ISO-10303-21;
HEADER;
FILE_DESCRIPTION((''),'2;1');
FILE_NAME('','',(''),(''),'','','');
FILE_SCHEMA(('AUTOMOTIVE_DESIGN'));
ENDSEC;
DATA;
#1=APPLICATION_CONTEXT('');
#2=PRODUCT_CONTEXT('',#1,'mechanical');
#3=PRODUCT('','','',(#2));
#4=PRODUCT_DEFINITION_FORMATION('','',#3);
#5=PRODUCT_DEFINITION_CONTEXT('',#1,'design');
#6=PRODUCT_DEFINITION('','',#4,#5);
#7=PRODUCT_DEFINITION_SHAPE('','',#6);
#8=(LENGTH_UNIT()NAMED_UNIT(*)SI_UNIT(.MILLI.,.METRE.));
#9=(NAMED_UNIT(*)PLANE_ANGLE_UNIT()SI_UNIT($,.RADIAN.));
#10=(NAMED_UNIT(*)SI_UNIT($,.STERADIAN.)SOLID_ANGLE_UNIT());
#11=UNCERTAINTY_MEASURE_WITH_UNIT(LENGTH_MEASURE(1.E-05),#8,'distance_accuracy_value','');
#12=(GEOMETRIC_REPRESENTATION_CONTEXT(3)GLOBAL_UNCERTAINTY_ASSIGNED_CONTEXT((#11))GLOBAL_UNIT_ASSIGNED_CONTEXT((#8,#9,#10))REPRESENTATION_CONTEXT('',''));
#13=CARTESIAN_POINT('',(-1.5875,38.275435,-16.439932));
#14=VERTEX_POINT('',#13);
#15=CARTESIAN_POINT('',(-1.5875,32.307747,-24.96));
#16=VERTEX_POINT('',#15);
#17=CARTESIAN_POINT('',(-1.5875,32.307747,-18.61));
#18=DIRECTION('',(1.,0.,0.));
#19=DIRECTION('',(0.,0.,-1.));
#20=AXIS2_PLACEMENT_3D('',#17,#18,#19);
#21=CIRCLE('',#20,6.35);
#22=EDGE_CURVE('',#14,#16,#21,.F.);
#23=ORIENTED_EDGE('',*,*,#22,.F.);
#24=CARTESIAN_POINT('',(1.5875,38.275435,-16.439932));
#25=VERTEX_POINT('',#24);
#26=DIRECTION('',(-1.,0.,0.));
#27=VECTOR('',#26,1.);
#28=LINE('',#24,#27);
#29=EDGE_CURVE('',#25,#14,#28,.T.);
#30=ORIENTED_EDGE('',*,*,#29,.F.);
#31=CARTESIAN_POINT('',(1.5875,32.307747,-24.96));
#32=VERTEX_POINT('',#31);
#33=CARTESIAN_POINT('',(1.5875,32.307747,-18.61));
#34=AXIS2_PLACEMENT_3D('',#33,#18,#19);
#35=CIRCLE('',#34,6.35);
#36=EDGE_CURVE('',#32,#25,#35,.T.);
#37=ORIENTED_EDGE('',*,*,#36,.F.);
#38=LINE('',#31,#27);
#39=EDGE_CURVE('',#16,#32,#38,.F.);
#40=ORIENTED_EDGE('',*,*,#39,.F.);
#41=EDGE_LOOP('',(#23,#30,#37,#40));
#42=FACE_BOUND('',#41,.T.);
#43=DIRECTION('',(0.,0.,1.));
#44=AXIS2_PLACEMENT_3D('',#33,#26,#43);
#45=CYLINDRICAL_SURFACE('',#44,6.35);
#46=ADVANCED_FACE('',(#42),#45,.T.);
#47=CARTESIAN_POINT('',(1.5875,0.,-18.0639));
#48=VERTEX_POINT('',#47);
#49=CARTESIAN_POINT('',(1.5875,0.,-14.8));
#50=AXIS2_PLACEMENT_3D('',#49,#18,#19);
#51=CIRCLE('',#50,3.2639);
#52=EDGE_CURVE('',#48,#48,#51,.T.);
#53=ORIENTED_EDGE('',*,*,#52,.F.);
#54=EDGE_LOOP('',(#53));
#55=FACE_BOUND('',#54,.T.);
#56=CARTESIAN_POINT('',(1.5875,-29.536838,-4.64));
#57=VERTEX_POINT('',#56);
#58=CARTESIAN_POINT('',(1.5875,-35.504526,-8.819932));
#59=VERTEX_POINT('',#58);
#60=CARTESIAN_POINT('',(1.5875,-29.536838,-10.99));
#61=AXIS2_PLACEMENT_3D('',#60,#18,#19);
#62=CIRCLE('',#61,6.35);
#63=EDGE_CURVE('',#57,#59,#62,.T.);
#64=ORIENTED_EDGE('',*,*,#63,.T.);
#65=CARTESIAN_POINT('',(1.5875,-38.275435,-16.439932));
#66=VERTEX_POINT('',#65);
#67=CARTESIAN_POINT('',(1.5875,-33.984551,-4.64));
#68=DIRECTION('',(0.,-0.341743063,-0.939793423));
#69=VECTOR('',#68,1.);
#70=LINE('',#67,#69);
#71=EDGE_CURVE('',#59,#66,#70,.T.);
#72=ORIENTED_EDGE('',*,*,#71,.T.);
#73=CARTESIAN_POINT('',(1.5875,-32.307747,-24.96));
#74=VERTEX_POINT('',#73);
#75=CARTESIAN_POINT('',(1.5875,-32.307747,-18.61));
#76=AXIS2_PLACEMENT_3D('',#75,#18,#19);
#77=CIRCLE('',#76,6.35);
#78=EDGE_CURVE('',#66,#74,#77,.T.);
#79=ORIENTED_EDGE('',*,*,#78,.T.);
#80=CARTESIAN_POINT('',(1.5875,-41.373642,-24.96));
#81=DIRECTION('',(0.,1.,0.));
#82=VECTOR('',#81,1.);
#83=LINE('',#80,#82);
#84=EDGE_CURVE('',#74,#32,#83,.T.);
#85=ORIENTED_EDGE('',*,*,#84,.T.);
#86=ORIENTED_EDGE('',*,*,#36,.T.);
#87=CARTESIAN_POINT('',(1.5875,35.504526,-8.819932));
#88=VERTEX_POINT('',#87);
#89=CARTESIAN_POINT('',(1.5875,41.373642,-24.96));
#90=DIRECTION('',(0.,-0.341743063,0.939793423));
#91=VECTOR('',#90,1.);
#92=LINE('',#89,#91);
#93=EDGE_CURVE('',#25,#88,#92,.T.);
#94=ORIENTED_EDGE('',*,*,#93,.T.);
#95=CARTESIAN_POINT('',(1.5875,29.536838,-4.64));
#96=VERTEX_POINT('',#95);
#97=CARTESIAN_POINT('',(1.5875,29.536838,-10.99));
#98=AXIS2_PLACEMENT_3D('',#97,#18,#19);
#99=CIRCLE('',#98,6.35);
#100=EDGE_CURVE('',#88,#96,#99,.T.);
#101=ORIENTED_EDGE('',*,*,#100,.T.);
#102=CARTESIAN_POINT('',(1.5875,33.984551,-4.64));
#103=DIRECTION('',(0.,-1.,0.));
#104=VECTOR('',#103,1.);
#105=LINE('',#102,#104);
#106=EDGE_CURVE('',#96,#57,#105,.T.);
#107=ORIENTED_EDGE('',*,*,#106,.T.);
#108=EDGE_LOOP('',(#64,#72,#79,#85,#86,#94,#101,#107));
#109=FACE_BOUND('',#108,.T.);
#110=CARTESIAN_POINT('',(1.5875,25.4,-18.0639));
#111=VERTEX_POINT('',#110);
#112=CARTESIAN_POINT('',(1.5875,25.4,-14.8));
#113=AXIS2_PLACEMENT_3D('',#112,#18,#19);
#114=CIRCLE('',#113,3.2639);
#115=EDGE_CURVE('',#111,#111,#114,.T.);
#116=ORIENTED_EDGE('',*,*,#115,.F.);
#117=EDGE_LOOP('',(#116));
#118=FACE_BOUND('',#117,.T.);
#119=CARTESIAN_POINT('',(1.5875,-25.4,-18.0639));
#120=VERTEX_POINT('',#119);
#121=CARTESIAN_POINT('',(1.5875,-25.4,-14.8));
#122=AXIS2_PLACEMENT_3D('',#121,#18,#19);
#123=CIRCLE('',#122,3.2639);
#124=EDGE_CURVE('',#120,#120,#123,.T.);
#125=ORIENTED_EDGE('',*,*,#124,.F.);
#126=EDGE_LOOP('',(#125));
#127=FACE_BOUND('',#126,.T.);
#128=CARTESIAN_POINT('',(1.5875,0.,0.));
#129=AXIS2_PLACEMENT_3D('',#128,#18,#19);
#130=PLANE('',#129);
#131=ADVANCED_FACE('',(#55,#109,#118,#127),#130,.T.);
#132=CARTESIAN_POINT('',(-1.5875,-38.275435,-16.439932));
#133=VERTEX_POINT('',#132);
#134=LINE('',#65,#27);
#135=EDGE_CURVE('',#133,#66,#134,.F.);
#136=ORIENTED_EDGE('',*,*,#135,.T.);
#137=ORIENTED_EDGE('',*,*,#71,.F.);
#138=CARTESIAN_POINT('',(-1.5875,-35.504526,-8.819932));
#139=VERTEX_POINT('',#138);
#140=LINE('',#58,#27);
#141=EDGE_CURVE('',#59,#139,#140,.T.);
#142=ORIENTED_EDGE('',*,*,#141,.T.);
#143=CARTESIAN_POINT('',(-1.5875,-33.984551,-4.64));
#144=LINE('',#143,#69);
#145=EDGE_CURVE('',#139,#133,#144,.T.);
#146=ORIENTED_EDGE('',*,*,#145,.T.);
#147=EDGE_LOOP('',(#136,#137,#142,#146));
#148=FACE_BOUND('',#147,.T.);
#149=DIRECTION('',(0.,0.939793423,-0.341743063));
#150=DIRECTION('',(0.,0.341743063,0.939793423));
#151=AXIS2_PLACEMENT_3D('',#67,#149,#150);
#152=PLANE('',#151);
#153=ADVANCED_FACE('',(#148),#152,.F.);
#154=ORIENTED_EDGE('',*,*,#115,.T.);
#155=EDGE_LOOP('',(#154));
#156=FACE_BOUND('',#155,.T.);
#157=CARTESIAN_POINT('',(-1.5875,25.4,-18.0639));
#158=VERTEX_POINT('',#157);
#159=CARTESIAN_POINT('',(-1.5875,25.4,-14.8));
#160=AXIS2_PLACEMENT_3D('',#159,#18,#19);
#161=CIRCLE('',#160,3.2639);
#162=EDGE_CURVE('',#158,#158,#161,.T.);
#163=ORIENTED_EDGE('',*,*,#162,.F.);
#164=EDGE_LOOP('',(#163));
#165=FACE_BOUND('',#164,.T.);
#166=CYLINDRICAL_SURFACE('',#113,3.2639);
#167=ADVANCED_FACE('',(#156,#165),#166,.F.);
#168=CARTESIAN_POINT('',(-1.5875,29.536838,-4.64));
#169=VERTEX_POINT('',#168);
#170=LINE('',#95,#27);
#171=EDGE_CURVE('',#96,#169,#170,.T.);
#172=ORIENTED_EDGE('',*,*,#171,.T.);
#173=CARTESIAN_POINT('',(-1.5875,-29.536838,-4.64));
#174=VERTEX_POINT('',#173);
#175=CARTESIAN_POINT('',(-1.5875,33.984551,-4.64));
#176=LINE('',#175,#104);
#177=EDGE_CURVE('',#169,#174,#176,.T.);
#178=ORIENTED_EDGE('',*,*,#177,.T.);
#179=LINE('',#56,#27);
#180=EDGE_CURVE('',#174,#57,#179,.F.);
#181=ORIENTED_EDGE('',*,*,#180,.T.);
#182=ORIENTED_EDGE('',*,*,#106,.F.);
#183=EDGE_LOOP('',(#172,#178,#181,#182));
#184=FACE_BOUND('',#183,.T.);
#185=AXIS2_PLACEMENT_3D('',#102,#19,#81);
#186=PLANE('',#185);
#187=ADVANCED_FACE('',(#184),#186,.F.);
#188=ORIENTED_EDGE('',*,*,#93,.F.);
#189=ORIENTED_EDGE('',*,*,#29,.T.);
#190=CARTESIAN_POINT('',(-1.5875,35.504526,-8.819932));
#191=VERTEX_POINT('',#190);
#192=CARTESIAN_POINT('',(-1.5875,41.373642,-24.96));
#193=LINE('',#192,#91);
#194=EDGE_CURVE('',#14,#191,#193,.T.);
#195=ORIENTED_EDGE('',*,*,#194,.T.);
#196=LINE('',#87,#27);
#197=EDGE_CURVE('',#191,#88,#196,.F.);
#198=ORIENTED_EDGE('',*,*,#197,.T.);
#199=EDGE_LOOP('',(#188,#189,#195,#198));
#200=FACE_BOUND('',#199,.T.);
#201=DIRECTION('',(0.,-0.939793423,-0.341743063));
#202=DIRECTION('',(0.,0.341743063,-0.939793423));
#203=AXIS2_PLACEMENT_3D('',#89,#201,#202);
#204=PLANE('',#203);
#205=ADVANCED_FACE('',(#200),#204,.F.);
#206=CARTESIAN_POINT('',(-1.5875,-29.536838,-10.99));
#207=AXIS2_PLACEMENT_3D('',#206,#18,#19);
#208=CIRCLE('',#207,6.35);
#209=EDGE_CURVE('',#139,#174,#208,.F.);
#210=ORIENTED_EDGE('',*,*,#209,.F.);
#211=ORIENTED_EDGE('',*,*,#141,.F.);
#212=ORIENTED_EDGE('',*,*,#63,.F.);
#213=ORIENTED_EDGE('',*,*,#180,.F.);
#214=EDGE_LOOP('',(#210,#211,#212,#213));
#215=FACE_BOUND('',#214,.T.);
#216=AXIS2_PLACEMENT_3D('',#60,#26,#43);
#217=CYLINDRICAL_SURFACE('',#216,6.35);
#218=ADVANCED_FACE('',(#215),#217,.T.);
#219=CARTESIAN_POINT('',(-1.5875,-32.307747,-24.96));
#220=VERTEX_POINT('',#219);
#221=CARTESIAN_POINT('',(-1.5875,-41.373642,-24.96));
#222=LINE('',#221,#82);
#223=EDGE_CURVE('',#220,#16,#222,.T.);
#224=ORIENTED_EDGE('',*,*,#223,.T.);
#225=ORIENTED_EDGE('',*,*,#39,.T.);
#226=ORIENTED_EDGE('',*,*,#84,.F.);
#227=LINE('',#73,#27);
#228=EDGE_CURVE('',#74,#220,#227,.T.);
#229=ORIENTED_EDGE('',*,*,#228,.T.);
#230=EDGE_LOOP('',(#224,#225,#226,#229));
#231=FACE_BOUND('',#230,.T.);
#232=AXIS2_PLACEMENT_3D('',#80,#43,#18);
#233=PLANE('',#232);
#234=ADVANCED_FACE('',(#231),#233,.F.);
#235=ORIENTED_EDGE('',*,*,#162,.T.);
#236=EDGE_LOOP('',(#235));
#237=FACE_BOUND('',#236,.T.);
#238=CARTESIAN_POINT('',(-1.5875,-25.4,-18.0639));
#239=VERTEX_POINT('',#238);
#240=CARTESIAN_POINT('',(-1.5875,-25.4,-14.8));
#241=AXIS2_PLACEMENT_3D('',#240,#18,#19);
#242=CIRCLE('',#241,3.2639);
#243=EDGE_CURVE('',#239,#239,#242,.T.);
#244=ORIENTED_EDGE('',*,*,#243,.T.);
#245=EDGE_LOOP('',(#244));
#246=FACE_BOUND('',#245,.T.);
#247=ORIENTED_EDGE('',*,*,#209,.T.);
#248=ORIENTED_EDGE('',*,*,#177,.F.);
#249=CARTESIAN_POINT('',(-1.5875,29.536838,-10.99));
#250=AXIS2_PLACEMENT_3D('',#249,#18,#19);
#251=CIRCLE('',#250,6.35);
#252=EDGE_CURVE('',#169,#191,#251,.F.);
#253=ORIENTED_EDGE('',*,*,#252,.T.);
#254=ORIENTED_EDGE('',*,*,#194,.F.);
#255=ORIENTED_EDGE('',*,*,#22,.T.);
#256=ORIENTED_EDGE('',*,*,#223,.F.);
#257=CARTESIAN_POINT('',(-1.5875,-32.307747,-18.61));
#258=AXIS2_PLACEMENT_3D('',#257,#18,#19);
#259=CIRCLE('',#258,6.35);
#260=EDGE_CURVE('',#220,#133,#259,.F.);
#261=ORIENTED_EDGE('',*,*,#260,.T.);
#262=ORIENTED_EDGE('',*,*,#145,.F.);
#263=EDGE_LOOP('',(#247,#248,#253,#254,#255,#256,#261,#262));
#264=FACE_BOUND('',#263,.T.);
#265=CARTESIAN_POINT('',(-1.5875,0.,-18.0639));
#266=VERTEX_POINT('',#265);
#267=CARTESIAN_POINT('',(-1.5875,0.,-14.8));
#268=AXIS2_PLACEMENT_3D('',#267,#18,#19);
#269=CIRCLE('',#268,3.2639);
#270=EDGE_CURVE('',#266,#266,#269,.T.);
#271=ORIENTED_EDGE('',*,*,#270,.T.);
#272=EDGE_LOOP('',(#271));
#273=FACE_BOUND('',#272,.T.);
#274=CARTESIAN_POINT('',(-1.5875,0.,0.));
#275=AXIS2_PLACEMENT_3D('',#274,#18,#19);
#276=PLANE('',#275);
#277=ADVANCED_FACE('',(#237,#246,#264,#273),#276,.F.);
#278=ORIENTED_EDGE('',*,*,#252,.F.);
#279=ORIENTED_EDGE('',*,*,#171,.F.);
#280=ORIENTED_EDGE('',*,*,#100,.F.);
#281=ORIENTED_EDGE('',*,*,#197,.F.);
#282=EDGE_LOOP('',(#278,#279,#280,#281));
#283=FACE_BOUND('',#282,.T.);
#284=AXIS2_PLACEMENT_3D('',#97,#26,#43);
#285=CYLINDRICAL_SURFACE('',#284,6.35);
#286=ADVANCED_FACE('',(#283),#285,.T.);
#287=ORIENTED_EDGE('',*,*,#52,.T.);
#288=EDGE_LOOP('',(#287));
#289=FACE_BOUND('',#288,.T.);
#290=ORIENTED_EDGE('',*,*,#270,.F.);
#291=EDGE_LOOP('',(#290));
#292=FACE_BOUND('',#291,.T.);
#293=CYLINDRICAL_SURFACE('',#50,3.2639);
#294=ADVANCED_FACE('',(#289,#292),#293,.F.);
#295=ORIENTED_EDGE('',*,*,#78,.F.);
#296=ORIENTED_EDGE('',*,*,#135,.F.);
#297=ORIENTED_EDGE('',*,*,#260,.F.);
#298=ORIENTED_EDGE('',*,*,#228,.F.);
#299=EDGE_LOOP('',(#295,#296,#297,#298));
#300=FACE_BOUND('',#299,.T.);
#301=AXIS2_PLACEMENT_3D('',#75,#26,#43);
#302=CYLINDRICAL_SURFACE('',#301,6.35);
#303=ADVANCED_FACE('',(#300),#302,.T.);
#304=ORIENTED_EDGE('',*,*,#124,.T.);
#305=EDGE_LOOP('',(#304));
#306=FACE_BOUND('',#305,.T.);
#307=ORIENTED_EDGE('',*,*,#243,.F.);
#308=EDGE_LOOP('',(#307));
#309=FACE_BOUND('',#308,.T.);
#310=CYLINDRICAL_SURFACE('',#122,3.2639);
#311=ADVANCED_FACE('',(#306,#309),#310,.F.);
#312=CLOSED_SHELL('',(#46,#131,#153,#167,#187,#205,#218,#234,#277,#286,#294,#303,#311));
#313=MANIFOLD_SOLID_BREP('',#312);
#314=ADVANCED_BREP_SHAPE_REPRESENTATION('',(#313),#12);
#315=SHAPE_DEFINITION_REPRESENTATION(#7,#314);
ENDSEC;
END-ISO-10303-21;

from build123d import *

# Parameters (mm, degrees)
BOSS_EXTRUDE1_DEPTH     = 1.5875
F_1_4_CLEARANCE_HOLE1_D = 6.5278
FILLET1_R               = 6.35


with BuildPart() as part:
    # Sketch2 → Boss-Extrude1 (new, symmetric)
    with BuildSketch(Plane(origin=(0, 0, 0), x_dir=(0, 0, -1), z_dir=(1, 0, 0))):
        Polygon((4.639999991, 33.98455115), (4.639999991, -33.98455115), (24.959999991, -41.373642063), (24.959999991, 41.373642063), align=None)
    extrude(amount=BOSS_EXTRUDE1_DEPTH, both=True)

    # 1/4 Clearance Hole1 (through all)
    with Locations(Plane(origin=(1.5875, 0, 0), x_dir=(0, 0, -1), z_dir=(1, 0, 0))):
        with Locations((14.799999991, 0), (14.799999991, 25.4), (14.799999991, -25.4)):
            Hole(F_1_4_CLEARANCE_HOLE1_D / 2)

    # Fillet1
    fillet1_edges = [part.edges().sort_by_distance(p)[0] for p in [
        (0, 41.373642063, -24.959999991),
        (0, -41.373642063, -24.959999991),
        (0, -33.98455115, -4.639999991),
        (0, 33.98455115, -4.639999991),
    ]]
    fillet(fillet1_edges, radius=FILLET1_R)


solid = part.part
